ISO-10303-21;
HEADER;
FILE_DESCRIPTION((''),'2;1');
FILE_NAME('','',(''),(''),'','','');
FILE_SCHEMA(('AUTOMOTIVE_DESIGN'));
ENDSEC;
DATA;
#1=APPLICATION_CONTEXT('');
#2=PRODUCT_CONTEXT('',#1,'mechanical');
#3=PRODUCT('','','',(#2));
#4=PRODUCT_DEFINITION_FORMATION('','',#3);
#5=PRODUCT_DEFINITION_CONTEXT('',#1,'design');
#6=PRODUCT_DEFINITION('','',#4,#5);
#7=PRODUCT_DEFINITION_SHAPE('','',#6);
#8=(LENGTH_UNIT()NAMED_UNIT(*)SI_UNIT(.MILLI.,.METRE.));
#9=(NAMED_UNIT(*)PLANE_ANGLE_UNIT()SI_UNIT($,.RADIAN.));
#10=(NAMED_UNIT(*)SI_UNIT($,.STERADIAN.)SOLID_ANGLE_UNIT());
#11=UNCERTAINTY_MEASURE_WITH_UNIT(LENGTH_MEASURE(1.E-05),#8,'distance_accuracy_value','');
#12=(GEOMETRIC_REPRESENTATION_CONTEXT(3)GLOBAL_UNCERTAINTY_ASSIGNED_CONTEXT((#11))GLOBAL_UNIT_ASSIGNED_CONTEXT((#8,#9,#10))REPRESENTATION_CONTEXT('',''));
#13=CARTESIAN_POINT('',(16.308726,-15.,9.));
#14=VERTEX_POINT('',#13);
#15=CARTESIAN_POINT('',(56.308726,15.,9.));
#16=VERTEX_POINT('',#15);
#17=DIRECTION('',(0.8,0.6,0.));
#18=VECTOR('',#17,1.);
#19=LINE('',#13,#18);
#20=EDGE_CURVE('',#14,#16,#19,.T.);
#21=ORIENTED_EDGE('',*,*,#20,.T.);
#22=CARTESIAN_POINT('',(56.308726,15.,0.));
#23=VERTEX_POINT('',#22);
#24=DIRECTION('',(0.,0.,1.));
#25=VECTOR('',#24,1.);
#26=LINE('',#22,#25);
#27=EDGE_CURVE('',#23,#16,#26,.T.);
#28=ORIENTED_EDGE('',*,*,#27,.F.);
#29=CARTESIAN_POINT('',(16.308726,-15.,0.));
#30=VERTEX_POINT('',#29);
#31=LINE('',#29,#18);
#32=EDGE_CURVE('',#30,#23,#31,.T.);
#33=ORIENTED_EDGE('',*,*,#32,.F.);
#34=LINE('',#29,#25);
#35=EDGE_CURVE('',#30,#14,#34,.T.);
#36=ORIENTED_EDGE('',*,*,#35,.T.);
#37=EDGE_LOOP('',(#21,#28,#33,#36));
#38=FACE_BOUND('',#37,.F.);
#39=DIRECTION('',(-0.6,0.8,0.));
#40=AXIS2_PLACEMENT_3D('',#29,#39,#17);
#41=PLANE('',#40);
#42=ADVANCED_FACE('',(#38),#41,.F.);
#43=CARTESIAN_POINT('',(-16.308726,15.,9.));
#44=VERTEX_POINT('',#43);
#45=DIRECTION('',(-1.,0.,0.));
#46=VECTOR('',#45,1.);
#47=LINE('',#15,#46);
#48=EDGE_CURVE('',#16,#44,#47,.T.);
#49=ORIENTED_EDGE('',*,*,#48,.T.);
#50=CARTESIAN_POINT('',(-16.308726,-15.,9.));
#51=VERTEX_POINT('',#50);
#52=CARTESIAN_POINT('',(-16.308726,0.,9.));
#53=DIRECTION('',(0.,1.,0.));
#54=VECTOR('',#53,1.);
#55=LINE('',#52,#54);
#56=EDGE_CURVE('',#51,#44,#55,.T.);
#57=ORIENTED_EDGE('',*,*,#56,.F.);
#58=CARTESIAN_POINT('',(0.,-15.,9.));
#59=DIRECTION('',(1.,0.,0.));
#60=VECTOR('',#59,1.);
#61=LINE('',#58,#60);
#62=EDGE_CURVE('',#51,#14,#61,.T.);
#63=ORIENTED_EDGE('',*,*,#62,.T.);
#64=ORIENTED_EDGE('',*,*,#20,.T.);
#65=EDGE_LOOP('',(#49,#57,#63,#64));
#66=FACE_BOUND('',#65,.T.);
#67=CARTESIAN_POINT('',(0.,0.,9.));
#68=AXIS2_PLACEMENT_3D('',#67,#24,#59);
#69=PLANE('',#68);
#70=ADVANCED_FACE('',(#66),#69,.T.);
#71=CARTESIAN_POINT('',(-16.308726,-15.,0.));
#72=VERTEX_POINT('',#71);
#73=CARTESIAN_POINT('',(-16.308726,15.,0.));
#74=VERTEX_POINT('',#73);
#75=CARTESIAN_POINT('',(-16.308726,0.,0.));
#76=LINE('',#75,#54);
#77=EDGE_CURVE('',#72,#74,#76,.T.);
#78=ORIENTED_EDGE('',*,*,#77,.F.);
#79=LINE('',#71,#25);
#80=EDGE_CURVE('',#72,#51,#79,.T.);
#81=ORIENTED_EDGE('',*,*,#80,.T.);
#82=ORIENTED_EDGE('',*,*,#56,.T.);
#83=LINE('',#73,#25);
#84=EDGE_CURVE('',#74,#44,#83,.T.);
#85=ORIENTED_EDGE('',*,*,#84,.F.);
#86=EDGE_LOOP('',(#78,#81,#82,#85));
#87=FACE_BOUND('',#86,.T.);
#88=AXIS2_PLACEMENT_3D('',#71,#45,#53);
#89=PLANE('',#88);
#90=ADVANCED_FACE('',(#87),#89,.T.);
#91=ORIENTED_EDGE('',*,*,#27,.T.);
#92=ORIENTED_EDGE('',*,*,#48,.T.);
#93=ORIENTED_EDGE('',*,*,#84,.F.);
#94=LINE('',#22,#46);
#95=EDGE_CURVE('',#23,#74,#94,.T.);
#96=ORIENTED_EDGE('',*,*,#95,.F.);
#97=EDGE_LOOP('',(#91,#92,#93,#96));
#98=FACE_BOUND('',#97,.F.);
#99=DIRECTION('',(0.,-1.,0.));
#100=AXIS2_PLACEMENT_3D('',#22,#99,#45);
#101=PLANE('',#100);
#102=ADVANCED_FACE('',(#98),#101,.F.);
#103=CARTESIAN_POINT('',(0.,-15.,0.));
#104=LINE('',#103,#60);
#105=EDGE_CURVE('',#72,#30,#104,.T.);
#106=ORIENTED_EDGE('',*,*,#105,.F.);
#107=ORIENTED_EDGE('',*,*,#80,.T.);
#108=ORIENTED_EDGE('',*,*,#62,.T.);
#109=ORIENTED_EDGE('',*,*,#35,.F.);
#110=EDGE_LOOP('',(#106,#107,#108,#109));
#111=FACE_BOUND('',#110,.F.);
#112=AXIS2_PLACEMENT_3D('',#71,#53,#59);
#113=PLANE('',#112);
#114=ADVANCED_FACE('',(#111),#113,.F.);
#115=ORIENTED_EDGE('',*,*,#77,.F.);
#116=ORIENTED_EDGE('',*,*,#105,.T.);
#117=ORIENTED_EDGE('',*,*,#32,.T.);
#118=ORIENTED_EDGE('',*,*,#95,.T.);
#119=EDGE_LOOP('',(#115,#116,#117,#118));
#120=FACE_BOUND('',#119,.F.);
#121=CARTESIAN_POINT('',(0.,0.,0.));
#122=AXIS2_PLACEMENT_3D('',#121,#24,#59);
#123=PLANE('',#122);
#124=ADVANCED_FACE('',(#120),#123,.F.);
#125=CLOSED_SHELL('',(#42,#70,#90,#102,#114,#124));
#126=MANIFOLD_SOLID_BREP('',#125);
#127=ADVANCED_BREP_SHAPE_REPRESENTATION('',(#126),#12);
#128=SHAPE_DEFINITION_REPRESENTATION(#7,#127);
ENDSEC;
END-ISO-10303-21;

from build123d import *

# Parameters (mm, degrees)
F0_W     = 32.617452
F0_H     = 30
F1_DEPTH = 9


with BuildPart() as f1:
    # F0 (on Top) → F1 (new body)
    with BuildSketch(Plane.XY):
        Rectangle(F0_W, F0_H)
        Polygon((56.308726, 15), (16.308726, 15), (16.308726, -15), align=None)
    extrude(amount=F1_DEPTH)


solid = f1.part
